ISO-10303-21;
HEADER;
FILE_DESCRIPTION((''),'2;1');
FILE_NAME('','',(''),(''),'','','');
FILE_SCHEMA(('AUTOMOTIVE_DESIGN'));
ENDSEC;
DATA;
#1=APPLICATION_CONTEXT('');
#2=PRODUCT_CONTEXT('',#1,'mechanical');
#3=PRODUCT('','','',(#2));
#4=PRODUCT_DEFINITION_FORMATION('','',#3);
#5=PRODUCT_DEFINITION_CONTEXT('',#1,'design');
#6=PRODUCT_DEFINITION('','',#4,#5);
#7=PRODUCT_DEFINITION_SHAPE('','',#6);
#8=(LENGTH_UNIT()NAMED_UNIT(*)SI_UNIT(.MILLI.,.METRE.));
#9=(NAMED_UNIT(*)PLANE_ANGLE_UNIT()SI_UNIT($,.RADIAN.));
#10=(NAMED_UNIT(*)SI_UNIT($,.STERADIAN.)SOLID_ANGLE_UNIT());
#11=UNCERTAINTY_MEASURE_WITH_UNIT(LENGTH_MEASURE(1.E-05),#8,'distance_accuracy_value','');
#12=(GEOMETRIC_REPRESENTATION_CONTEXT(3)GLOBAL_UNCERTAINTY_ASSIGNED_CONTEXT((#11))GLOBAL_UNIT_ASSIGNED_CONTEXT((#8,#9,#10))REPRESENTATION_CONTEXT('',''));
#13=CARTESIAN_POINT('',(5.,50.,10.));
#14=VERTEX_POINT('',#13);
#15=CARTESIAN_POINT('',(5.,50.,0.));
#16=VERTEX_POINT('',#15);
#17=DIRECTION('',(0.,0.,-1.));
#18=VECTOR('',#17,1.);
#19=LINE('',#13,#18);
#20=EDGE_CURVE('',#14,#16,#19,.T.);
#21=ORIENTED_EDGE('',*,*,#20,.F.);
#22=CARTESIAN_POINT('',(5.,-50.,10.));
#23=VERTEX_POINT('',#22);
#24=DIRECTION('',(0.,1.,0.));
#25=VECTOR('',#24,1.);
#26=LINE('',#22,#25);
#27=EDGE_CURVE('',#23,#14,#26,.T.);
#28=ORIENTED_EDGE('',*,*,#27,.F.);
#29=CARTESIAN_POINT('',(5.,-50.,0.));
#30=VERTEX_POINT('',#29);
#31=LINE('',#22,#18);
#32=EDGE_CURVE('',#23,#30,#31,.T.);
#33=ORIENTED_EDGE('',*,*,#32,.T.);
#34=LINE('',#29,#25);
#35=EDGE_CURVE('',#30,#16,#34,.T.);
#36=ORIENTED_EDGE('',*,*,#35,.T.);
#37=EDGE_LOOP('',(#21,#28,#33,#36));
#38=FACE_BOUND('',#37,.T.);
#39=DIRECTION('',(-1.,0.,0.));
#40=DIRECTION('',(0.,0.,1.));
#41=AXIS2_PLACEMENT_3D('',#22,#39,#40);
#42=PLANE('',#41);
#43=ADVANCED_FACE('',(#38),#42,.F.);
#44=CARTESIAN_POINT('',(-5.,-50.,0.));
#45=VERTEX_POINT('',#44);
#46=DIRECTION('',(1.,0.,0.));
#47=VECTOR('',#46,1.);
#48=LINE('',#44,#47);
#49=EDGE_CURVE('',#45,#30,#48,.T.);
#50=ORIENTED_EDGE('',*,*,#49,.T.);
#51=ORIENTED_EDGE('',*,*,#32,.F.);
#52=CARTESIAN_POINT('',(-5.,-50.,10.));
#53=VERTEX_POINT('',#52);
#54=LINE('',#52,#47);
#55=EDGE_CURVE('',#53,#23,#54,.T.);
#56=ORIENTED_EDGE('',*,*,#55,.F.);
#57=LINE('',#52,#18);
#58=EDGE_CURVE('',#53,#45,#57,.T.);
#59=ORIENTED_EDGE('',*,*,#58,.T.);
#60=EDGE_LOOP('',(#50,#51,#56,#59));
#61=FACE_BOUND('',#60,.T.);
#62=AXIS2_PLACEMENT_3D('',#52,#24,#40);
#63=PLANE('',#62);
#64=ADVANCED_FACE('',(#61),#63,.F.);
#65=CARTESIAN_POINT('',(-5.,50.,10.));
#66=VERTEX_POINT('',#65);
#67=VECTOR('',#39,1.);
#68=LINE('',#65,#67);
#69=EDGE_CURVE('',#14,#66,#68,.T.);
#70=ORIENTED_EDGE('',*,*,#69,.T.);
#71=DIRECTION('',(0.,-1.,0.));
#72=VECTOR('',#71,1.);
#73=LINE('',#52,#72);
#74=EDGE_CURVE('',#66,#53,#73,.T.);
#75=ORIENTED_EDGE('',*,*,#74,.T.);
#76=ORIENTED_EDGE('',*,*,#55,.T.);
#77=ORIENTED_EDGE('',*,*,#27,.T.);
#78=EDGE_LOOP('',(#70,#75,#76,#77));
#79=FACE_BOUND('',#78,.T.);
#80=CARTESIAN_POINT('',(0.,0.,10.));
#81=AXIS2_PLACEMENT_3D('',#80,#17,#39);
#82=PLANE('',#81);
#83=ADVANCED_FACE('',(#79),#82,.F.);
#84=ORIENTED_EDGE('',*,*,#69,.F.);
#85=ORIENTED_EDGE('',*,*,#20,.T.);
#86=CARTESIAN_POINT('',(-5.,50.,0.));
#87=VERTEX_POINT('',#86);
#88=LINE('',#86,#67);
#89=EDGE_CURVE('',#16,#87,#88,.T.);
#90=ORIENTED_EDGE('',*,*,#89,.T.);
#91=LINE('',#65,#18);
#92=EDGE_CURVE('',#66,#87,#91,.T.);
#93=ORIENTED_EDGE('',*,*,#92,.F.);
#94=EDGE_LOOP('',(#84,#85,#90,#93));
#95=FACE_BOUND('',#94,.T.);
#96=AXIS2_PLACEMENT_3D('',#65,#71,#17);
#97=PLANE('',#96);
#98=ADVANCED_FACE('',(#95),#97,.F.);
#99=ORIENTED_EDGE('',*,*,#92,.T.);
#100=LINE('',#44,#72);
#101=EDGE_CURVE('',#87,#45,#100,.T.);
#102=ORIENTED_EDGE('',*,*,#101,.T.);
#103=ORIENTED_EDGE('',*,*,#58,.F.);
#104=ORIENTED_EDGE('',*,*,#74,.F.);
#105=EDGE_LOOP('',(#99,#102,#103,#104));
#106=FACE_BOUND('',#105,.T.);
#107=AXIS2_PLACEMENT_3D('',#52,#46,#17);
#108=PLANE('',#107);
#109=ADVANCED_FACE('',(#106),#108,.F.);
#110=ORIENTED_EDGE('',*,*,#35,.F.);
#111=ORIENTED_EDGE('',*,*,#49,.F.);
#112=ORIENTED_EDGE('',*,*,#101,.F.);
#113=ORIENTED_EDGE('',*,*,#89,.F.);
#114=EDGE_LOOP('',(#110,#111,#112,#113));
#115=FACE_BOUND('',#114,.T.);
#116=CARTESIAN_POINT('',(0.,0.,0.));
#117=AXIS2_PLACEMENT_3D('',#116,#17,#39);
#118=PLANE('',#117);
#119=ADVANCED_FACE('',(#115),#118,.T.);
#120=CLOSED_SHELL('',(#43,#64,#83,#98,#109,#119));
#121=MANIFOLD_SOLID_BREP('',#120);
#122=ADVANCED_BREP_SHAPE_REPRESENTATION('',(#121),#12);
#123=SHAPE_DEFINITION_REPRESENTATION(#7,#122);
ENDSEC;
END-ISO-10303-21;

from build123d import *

# Parameters (mm, degrees)
SKETCH1_W           = 10
SKETCH1_H           = 100
BOSS_EXTRUDE1_DEPTH = 10


with BuildPart() as part:
    # Sketch1 → Boss-Extrude1 (new body)
    with BuildSketch(Plane.XY):
        Rectangle(SKETCH1_W, SKETCH1_H)
    extrude(amount=BOSS_EXTRUDE1_DEPTH)


solid = part.part
